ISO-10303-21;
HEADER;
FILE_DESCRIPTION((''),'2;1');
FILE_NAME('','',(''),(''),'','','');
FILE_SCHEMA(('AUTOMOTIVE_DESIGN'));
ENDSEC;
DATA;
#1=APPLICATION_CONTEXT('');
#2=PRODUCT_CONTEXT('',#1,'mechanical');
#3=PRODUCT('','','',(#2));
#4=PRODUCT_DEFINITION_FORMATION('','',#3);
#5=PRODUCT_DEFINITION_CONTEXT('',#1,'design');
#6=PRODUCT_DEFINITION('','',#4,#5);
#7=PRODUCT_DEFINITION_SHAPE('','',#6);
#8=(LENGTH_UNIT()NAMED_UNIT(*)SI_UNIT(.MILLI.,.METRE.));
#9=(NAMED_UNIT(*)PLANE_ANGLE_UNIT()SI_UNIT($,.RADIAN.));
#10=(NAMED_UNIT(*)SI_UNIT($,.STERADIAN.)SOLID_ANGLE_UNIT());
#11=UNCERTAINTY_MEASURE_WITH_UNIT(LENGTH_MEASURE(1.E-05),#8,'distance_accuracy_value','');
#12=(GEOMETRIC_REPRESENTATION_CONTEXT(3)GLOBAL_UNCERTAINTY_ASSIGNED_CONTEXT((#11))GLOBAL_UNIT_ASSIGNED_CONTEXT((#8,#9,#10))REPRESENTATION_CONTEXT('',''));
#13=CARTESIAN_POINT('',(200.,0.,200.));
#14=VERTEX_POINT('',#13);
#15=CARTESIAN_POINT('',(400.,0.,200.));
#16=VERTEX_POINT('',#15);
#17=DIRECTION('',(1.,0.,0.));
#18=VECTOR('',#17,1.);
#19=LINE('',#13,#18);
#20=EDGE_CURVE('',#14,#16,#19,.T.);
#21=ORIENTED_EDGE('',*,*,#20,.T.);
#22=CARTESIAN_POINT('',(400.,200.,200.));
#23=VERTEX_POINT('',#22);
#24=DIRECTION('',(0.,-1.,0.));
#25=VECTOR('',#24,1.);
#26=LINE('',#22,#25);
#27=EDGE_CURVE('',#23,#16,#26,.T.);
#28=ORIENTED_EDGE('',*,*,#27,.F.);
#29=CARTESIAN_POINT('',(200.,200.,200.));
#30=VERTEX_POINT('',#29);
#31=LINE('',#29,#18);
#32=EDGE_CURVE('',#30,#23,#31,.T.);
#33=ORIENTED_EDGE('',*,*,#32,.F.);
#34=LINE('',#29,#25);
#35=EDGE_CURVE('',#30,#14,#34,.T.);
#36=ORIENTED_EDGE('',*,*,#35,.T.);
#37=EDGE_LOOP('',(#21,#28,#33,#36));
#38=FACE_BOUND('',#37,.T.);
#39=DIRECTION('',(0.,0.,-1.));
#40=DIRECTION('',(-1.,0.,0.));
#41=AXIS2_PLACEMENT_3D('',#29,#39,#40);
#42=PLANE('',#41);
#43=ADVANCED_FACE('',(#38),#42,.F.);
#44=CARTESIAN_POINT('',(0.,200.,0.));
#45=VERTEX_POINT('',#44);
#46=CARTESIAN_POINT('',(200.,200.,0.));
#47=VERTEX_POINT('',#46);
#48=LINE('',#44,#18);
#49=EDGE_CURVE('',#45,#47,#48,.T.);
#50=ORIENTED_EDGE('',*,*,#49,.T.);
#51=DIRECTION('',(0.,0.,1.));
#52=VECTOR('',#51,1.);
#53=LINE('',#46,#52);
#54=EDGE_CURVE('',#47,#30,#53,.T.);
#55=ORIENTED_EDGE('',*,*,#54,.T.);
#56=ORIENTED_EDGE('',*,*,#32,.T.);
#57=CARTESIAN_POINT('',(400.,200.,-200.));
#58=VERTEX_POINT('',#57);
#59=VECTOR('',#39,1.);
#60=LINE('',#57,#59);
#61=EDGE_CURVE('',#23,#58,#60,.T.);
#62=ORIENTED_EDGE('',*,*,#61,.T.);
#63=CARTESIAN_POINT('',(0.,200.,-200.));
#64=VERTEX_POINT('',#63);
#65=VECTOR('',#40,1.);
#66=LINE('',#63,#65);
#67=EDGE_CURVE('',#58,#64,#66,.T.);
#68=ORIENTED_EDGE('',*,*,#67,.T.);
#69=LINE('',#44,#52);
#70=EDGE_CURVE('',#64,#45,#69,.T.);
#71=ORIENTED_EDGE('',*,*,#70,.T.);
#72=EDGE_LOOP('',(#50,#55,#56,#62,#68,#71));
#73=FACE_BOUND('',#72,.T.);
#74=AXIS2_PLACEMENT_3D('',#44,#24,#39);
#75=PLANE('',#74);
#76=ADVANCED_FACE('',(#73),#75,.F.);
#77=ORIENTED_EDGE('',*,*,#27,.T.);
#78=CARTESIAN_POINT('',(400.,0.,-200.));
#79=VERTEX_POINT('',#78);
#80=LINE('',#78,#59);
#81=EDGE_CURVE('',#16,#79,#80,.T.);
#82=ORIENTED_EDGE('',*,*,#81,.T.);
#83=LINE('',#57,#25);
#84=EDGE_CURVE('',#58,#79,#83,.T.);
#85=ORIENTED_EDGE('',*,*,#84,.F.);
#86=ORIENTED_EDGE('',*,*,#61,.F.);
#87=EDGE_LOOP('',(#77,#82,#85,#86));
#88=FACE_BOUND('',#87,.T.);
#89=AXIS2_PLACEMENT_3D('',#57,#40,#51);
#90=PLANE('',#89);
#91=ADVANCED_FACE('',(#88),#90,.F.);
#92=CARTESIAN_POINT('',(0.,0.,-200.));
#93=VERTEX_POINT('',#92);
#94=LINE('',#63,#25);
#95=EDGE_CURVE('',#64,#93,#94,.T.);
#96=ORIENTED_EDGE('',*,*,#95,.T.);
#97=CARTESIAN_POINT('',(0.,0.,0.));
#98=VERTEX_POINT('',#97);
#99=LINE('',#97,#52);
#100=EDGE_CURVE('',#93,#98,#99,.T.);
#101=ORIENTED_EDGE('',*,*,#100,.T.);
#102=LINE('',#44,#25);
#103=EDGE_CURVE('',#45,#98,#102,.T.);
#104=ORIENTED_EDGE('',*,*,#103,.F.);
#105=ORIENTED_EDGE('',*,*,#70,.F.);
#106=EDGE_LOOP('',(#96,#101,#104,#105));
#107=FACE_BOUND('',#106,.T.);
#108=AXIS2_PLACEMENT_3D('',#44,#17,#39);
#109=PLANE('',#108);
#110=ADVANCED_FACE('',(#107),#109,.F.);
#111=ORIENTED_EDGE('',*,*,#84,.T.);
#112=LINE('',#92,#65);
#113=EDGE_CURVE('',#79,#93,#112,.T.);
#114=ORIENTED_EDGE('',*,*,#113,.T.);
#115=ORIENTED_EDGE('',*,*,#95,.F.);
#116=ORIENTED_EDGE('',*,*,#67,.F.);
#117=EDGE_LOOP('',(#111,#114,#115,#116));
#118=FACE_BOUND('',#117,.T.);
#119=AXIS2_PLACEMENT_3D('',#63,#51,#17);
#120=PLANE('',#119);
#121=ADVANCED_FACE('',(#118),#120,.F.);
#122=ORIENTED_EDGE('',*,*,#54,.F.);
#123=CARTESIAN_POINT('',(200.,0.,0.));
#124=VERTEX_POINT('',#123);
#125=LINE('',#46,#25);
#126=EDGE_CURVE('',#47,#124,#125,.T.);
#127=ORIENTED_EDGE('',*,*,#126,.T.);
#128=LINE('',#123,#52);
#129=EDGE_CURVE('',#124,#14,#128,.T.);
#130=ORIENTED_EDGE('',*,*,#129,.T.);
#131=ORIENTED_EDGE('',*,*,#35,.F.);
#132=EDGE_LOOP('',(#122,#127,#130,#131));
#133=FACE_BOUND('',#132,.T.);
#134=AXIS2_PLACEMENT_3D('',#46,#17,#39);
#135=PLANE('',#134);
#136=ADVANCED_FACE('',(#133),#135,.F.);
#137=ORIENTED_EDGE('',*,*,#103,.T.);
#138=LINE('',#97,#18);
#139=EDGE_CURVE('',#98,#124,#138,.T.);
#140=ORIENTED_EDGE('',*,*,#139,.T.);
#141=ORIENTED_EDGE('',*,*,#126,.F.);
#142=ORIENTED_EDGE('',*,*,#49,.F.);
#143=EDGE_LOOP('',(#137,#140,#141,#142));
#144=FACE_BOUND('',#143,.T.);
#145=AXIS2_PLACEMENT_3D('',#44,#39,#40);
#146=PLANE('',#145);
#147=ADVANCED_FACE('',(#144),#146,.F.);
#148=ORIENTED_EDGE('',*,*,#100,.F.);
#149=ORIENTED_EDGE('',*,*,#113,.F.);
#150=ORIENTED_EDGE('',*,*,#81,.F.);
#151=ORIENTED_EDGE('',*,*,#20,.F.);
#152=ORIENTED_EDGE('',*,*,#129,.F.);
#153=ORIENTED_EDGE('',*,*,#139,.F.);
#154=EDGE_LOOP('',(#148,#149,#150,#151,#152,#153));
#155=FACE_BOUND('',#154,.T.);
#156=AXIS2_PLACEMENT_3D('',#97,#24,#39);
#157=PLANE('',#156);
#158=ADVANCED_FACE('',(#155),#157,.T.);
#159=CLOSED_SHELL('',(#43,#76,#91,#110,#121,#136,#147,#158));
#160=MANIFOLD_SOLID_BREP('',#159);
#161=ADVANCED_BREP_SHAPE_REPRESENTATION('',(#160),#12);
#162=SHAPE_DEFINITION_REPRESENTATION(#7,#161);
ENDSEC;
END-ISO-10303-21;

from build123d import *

# Parameters (mm, degrees)
SALIENTE_EXTRUIR1_DEPTH = 200


with BuildPart() as part:
    # Croquis1 → Saliente-Extruir1 (new body)
    with BuildSketch(Plane(origin=(0, 0, 0), x_dir=(1, 0, 0), z_dir=(0, 1, 0))):
        Polygon((400, 200), (400, -200), (200, -200), (200, 0), (0, 0), (0, 200), align=None)
    extrude(amount=SALIENTE_EXTRUIR1_DEPTH)


solid = part.part
